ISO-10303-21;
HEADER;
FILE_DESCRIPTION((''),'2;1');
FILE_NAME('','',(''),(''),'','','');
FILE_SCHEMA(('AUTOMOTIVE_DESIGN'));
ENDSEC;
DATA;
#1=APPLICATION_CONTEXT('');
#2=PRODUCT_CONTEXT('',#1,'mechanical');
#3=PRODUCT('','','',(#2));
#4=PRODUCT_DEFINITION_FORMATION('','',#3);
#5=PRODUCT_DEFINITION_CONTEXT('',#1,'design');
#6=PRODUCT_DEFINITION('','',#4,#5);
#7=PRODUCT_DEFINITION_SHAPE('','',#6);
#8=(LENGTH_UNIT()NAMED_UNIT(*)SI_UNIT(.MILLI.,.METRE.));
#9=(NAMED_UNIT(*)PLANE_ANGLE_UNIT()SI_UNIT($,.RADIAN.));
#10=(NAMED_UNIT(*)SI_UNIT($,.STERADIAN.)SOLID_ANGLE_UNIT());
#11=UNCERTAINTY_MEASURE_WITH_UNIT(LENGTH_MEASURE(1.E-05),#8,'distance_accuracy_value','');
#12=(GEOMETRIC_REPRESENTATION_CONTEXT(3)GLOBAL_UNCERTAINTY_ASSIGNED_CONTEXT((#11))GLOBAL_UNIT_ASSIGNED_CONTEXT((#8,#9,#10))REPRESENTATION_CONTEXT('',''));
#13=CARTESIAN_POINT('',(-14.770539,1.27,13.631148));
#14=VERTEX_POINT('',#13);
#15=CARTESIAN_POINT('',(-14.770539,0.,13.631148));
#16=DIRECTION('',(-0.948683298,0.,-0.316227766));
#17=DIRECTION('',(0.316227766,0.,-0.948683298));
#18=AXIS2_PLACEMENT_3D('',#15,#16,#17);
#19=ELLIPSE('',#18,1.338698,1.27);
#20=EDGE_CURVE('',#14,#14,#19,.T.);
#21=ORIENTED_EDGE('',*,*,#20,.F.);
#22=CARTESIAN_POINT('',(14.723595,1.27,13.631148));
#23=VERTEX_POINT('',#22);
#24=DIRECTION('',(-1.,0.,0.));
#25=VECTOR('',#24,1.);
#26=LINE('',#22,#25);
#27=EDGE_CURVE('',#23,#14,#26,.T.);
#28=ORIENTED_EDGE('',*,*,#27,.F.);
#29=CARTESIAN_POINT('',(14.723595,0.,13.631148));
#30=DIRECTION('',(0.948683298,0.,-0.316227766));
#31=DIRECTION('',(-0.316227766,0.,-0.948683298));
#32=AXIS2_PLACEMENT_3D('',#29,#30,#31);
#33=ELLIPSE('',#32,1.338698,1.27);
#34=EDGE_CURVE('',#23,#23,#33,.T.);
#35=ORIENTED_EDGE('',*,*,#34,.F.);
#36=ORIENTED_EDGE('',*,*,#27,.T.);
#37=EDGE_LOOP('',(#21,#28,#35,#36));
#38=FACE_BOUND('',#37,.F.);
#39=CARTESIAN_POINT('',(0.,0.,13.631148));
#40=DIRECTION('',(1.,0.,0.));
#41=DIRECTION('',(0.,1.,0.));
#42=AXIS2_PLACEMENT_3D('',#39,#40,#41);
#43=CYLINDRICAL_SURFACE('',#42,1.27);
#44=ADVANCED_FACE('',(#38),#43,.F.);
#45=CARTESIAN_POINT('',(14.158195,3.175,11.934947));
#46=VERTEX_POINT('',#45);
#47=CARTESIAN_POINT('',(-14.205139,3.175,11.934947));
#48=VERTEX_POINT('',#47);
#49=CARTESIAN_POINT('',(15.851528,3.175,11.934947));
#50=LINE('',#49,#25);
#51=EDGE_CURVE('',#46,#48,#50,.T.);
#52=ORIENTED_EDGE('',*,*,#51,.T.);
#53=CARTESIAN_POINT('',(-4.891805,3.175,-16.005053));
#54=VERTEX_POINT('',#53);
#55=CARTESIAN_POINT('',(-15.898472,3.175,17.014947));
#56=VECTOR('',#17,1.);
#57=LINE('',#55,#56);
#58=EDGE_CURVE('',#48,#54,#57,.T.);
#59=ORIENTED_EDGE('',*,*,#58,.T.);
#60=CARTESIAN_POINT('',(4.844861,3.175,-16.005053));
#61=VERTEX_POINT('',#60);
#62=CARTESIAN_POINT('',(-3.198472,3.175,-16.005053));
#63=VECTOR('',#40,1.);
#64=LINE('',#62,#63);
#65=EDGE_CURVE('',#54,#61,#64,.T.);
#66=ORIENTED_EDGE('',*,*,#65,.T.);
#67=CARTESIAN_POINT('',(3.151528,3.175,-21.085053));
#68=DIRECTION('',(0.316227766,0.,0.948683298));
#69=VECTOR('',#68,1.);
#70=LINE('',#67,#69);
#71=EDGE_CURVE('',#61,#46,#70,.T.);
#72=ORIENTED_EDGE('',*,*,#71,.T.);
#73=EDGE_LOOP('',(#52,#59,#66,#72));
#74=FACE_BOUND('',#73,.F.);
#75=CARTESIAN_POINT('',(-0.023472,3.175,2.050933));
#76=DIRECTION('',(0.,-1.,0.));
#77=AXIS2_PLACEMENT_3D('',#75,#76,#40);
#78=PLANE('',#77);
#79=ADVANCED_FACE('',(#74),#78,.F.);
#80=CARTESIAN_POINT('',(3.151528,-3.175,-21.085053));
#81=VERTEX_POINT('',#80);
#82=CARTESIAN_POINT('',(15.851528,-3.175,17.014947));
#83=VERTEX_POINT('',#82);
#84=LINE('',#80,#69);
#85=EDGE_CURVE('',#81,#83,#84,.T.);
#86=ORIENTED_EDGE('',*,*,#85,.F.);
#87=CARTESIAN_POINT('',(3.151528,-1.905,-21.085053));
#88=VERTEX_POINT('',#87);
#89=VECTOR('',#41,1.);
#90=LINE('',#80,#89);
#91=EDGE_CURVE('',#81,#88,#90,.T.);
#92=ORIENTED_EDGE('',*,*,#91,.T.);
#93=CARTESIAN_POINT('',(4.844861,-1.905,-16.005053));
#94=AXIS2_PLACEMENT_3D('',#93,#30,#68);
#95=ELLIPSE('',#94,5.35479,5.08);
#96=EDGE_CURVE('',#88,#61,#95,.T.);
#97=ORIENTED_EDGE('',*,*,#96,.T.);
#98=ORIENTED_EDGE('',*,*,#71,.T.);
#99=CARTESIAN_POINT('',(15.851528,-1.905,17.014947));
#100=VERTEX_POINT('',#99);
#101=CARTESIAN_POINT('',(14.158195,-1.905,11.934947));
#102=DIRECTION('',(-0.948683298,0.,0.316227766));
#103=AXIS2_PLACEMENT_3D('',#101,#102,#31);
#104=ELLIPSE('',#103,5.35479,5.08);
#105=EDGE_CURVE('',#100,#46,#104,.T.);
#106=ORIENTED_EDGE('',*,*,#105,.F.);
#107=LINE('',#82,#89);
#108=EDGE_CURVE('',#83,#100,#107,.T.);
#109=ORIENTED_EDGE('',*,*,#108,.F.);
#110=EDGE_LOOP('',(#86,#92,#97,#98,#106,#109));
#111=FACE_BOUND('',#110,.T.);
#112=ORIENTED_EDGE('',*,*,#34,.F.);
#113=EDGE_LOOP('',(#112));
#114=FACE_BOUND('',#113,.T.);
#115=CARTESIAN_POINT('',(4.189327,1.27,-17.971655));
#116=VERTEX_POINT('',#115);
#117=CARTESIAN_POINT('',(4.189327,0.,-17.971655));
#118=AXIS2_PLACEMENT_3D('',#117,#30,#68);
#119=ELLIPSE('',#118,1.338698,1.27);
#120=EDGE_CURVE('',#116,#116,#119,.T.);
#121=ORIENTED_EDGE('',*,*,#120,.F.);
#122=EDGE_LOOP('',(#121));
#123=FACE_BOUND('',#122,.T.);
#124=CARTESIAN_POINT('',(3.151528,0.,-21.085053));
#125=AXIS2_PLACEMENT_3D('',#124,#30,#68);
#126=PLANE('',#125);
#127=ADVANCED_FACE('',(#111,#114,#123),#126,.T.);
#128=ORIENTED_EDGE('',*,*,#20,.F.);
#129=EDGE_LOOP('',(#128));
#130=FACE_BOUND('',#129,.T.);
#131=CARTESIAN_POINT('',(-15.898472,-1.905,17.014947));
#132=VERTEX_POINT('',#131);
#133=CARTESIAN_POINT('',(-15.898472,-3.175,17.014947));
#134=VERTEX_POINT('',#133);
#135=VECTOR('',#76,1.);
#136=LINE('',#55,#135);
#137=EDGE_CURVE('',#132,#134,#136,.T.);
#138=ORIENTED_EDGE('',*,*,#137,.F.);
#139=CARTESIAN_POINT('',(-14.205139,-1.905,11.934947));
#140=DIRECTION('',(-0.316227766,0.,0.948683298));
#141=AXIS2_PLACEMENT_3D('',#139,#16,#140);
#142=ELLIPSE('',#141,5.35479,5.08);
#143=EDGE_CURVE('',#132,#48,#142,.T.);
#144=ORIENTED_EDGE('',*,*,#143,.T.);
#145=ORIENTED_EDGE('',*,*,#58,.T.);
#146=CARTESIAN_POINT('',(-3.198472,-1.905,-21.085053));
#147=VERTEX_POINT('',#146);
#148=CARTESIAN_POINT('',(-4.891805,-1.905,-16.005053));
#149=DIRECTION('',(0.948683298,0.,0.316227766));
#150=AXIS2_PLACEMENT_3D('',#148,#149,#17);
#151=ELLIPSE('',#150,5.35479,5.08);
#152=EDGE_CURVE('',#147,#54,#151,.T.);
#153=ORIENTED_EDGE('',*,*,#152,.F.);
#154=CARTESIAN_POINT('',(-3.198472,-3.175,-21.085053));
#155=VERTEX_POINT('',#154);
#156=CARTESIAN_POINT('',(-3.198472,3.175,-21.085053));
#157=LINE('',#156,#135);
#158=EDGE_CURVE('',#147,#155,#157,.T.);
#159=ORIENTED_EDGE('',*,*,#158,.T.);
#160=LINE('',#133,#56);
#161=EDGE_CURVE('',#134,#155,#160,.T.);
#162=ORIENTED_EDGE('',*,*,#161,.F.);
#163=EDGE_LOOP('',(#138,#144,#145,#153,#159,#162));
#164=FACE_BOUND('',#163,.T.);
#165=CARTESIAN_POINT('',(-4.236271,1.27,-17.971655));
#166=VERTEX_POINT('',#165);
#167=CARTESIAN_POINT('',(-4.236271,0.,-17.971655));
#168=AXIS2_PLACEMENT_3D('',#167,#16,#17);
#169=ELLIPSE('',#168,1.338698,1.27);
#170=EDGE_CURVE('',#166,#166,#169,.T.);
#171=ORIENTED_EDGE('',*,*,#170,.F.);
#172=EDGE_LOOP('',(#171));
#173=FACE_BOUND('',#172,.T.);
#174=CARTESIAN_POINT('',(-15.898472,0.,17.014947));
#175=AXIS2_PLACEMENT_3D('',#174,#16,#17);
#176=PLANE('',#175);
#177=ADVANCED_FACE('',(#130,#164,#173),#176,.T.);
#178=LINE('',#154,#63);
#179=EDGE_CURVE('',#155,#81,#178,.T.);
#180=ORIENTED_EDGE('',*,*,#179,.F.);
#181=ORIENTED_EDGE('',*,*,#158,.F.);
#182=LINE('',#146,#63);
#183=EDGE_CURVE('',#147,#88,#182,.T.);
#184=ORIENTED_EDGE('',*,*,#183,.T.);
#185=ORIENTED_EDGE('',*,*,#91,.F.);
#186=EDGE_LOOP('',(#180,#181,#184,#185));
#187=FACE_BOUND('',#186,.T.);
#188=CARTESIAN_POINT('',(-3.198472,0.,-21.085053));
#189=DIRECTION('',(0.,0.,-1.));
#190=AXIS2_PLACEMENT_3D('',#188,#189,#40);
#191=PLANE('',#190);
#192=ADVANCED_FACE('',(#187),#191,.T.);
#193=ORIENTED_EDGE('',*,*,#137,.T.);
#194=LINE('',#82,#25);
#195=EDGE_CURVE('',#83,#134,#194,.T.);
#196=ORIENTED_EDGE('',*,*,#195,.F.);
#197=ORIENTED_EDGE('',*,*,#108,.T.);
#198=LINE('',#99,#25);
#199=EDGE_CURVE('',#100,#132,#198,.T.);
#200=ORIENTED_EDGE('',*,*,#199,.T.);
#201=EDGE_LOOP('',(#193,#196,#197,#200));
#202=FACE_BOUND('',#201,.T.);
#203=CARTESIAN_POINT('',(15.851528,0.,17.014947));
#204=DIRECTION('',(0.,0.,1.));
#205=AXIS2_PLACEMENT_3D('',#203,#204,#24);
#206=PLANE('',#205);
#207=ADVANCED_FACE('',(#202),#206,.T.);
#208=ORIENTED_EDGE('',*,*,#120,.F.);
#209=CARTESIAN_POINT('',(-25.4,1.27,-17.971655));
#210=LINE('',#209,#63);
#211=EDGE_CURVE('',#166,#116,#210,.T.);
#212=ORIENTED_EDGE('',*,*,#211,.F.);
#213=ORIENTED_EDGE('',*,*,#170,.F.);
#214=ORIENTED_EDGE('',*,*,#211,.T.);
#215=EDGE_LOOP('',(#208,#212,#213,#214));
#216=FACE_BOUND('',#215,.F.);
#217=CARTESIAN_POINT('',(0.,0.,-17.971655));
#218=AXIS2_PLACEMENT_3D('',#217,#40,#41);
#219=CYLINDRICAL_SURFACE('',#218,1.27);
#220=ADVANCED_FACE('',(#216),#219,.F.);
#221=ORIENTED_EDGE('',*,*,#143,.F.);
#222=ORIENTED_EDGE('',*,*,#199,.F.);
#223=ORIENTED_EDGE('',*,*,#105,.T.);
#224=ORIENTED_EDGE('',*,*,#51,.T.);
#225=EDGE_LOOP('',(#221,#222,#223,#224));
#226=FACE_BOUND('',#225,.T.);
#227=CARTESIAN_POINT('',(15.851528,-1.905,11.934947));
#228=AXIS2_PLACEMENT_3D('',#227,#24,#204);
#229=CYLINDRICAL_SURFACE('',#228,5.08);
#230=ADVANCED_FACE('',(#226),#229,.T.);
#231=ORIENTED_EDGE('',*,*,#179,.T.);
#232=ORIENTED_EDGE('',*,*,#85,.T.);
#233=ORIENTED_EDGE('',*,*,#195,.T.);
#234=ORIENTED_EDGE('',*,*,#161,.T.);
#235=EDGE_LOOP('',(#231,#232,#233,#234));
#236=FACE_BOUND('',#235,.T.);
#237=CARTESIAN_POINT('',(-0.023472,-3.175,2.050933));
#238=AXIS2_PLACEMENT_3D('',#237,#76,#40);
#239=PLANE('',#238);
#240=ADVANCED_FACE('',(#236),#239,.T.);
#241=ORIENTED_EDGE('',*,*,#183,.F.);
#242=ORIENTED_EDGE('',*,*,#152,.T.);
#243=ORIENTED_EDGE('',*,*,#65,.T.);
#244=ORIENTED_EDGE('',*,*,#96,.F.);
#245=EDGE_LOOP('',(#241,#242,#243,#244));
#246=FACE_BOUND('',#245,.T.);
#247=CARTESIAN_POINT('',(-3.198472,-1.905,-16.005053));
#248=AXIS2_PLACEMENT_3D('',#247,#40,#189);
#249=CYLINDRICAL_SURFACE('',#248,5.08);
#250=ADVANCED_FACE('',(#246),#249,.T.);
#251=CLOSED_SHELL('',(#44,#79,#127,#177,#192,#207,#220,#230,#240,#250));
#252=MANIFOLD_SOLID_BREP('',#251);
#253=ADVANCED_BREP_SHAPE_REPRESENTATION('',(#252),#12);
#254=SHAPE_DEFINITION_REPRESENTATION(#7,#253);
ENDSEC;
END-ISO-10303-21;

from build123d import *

# Parameters (mm, degrees)
F1_DEPTH = 3.175
F2_R     = 5.08
F3_R     = 1.27
F4_DEPTH = 25.4


with BuildPart() as f1:
    # F0 (on Front) → F1 (new body, symmetric)
    with BuildSketch(Plane.XZ):
        Polygon((15.851528, 17.014947), (-15.898472, 17.014947), (-3.198472, -21.085053), (3.151528, -21.085053), align=None)
    extrude(amount=F1_DEPTH, both=True)

    # F2
    f2_edges = [f1.edges().sort_by_distance(p)[0] for p in [
        (-0.023472, 3.175, 17.014947),
        (-0.023472, 3.175, -21.085053),
    ]]
    fillet(f2_edges, radius=F2_R)

    # F3 (on Right) → F4 (cut, symmetric)
    with BuildSketch(Plane.YZ):
        with Locations((0, 13.631148)):
            Circle(F3_R)
        with Locations((0, -17.971655)):
            Circle(F3_R)
    extrude(amount=F4_DEPTH, both=True, mode=Mode.SUBTRACT)


solid = f1.part
